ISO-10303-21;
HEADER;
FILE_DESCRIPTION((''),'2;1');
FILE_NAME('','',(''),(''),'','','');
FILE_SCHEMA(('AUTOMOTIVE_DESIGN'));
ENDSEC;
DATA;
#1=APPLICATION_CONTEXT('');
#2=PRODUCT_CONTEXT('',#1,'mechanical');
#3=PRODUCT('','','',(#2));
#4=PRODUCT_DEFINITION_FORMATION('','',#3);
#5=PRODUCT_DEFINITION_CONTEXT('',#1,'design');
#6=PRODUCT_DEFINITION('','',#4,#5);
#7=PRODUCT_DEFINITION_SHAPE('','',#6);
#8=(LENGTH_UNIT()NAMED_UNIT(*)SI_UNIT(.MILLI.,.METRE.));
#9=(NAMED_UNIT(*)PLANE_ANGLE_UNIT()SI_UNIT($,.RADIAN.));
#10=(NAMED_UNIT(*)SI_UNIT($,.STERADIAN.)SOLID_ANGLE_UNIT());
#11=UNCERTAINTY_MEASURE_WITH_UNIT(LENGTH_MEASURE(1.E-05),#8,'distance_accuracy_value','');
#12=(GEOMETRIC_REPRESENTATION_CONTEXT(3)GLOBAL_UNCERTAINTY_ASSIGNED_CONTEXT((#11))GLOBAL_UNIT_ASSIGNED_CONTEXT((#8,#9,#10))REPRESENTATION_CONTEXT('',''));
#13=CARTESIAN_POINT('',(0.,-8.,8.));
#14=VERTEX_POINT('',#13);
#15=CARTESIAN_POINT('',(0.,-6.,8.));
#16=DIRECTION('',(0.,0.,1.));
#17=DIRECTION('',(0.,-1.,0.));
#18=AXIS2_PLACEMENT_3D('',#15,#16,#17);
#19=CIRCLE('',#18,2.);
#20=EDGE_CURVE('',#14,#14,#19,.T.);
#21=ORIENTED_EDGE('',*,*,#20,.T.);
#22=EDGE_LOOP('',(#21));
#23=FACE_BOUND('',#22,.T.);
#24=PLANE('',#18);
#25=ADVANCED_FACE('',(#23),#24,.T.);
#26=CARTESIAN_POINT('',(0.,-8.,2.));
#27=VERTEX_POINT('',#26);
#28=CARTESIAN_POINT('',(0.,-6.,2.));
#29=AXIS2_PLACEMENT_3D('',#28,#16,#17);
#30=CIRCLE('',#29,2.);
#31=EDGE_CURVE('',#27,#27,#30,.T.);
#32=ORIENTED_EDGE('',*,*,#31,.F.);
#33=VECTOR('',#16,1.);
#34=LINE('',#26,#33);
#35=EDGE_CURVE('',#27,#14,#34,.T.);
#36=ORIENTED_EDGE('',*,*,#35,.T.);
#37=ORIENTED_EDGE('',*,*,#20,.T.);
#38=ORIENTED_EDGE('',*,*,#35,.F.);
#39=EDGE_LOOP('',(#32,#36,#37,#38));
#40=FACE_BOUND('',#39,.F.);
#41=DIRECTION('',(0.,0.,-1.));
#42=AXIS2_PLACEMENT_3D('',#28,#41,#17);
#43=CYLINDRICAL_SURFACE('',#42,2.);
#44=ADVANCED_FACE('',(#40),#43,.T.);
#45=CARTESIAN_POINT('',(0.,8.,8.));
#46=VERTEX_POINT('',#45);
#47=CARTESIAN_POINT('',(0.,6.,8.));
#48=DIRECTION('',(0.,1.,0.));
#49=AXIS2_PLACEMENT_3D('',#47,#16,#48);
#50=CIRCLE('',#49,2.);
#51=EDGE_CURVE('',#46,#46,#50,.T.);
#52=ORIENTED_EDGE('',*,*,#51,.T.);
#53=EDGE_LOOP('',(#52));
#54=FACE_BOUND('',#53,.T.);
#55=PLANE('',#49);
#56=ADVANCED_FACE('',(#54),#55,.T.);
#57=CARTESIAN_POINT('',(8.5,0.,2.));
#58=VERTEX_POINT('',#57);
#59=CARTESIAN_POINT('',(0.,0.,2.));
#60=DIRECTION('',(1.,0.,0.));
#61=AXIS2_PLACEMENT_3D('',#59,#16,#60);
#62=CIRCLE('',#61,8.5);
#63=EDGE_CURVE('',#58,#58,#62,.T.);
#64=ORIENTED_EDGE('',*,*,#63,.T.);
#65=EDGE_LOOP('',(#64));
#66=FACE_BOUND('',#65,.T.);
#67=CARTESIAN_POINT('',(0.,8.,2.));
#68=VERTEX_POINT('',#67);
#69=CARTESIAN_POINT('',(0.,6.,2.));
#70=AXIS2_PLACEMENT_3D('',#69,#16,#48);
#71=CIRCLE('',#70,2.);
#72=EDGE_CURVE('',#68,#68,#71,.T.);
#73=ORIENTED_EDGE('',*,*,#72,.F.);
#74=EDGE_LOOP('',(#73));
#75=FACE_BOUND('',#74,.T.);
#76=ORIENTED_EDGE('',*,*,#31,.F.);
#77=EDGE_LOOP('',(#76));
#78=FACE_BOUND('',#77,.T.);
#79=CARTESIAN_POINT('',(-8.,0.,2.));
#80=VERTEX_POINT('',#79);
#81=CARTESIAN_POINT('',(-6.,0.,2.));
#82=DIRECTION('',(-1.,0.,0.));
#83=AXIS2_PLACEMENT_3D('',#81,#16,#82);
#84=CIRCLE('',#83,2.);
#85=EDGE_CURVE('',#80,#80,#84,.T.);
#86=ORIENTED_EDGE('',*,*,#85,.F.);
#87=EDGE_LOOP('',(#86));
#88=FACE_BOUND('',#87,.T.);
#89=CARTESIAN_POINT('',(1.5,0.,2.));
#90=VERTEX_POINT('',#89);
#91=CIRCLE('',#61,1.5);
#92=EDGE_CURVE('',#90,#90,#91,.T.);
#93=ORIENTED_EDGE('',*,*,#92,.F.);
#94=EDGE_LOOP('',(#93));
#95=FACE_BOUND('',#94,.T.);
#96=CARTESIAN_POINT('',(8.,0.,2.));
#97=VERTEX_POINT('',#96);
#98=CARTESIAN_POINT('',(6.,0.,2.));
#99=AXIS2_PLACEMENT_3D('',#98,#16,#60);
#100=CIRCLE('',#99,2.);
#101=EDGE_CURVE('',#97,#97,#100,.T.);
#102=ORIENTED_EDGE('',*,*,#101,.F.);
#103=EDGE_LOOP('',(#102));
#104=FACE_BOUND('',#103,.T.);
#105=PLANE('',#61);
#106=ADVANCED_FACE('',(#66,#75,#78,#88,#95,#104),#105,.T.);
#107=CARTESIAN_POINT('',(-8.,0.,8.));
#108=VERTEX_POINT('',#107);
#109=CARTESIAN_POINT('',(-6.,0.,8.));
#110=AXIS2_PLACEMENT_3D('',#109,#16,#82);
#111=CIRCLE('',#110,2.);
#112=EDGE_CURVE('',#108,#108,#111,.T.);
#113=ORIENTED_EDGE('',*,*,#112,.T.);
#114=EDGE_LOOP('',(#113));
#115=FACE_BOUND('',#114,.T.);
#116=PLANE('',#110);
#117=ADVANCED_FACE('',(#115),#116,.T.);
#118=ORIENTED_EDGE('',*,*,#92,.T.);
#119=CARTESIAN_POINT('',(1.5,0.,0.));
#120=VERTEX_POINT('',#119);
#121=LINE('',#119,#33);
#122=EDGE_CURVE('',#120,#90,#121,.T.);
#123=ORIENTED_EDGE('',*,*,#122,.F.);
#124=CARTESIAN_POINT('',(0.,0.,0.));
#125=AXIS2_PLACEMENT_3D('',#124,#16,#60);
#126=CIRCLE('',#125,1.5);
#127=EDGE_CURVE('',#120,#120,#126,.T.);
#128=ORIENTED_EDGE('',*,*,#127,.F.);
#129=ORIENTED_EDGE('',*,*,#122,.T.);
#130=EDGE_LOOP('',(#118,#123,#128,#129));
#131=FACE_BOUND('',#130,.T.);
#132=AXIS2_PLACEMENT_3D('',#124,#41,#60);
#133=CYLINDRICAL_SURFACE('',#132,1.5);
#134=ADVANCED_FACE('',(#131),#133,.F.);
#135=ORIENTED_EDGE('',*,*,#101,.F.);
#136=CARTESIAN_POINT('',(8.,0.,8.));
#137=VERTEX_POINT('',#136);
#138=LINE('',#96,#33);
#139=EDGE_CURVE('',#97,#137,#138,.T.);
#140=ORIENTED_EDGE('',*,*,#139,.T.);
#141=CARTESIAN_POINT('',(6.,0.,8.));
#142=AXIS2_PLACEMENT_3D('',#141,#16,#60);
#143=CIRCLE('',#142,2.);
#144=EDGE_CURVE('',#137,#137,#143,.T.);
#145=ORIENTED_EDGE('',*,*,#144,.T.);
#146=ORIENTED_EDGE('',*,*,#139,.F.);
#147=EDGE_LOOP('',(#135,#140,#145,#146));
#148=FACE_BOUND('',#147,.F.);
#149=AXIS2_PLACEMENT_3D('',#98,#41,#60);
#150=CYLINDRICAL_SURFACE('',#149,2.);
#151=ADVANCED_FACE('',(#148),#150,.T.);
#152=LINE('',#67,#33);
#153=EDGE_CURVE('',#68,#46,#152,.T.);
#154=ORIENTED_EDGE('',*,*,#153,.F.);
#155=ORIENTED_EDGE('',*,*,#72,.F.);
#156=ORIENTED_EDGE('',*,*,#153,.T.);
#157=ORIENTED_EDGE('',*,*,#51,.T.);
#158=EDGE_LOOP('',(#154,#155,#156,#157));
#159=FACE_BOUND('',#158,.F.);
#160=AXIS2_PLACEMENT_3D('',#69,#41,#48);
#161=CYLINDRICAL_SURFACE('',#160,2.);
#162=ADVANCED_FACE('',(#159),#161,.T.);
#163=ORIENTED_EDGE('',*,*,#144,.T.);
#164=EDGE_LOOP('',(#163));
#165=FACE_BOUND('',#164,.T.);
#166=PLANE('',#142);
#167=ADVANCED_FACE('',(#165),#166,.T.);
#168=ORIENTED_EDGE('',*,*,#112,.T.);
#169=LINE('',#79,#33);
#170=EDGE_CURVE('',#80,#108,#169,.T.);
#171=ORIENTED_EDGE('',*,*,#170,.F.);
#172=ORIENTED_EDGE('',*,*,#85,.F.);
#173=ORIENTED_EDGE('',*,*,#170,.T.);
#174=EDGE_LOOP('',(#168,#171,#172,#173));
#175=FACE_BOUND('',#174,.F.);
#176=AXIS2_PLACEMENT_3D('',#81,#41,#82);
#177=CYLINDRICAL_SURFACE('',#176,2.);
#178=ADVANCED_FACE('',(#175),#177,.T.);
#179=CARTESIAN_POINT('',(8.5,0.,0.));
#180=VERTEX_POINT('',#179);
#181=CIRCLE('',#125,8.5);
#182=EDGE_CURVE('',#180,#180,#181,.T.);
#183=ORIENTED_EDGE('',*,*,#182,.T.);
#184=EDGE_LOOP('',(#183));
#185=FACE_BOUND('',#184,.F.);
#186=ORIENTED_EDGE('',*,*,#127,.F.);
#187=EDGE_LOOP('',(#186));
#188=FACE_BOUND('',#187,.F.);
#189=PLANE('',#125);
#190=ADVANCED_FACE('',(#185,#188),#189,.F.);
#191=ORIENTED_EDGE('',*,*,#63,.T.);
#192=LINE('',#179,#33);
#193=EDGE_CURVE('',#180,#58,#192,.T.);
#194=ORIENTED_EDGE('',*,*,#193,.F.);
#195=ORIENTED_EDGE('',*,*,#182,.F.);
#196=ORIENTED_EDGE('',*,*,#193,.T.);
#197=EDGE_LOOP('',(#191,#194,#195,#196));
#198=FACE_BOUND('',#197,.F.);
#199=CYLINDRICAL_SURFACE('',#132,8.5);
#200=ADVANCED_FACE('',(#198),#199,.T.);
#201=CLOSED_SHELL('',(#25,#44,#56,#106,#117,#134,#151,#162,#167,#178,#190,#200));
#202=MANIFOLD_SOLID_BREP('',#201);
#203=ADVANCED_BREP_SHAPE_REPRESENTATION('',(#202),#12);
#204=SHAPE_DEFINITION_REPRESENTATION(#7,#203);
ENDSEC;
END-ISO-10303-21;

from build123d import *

# Parameters (mm, degrees)
SKETCH_R           = 8.5
SKETCH_R_2         = 1.5
PAD_DEPTH          = 2
SKETCH001_R        = 2
PAD001_DEPTH       = 6
POLARPATTERN_COUNT = 4


with BuildPart() as part:
    # Sketch → Pad (new body)
    with BuildSketch(Plane.XY):
        Circle(SKETCH_R)
        Circle(SKETCH_R_2, mode=Mode.SUBTRACT)
    extrude(amount=PAD_DEPTH)

    # Sketch001 → Pad001 (new body)
    with BuildSketch(Plane.XY.offset(2)):
        with Locations((6, 0)):
            Circle(SKETCH001_R)
    pad001 = extrude(amount=PAD001_DEPTH)

    # PolarPattern: Pad001 ×4 about axis
    polarpattern_axis = Axis((0, 0, 2), (0, 0, 1))
    for i in range(1, POLARPATTERN_COUNT):
        add(pad001.rotate(polarpattern_axis, i * 360 / POLARPATTERN_COUNT))


solid = part.part
